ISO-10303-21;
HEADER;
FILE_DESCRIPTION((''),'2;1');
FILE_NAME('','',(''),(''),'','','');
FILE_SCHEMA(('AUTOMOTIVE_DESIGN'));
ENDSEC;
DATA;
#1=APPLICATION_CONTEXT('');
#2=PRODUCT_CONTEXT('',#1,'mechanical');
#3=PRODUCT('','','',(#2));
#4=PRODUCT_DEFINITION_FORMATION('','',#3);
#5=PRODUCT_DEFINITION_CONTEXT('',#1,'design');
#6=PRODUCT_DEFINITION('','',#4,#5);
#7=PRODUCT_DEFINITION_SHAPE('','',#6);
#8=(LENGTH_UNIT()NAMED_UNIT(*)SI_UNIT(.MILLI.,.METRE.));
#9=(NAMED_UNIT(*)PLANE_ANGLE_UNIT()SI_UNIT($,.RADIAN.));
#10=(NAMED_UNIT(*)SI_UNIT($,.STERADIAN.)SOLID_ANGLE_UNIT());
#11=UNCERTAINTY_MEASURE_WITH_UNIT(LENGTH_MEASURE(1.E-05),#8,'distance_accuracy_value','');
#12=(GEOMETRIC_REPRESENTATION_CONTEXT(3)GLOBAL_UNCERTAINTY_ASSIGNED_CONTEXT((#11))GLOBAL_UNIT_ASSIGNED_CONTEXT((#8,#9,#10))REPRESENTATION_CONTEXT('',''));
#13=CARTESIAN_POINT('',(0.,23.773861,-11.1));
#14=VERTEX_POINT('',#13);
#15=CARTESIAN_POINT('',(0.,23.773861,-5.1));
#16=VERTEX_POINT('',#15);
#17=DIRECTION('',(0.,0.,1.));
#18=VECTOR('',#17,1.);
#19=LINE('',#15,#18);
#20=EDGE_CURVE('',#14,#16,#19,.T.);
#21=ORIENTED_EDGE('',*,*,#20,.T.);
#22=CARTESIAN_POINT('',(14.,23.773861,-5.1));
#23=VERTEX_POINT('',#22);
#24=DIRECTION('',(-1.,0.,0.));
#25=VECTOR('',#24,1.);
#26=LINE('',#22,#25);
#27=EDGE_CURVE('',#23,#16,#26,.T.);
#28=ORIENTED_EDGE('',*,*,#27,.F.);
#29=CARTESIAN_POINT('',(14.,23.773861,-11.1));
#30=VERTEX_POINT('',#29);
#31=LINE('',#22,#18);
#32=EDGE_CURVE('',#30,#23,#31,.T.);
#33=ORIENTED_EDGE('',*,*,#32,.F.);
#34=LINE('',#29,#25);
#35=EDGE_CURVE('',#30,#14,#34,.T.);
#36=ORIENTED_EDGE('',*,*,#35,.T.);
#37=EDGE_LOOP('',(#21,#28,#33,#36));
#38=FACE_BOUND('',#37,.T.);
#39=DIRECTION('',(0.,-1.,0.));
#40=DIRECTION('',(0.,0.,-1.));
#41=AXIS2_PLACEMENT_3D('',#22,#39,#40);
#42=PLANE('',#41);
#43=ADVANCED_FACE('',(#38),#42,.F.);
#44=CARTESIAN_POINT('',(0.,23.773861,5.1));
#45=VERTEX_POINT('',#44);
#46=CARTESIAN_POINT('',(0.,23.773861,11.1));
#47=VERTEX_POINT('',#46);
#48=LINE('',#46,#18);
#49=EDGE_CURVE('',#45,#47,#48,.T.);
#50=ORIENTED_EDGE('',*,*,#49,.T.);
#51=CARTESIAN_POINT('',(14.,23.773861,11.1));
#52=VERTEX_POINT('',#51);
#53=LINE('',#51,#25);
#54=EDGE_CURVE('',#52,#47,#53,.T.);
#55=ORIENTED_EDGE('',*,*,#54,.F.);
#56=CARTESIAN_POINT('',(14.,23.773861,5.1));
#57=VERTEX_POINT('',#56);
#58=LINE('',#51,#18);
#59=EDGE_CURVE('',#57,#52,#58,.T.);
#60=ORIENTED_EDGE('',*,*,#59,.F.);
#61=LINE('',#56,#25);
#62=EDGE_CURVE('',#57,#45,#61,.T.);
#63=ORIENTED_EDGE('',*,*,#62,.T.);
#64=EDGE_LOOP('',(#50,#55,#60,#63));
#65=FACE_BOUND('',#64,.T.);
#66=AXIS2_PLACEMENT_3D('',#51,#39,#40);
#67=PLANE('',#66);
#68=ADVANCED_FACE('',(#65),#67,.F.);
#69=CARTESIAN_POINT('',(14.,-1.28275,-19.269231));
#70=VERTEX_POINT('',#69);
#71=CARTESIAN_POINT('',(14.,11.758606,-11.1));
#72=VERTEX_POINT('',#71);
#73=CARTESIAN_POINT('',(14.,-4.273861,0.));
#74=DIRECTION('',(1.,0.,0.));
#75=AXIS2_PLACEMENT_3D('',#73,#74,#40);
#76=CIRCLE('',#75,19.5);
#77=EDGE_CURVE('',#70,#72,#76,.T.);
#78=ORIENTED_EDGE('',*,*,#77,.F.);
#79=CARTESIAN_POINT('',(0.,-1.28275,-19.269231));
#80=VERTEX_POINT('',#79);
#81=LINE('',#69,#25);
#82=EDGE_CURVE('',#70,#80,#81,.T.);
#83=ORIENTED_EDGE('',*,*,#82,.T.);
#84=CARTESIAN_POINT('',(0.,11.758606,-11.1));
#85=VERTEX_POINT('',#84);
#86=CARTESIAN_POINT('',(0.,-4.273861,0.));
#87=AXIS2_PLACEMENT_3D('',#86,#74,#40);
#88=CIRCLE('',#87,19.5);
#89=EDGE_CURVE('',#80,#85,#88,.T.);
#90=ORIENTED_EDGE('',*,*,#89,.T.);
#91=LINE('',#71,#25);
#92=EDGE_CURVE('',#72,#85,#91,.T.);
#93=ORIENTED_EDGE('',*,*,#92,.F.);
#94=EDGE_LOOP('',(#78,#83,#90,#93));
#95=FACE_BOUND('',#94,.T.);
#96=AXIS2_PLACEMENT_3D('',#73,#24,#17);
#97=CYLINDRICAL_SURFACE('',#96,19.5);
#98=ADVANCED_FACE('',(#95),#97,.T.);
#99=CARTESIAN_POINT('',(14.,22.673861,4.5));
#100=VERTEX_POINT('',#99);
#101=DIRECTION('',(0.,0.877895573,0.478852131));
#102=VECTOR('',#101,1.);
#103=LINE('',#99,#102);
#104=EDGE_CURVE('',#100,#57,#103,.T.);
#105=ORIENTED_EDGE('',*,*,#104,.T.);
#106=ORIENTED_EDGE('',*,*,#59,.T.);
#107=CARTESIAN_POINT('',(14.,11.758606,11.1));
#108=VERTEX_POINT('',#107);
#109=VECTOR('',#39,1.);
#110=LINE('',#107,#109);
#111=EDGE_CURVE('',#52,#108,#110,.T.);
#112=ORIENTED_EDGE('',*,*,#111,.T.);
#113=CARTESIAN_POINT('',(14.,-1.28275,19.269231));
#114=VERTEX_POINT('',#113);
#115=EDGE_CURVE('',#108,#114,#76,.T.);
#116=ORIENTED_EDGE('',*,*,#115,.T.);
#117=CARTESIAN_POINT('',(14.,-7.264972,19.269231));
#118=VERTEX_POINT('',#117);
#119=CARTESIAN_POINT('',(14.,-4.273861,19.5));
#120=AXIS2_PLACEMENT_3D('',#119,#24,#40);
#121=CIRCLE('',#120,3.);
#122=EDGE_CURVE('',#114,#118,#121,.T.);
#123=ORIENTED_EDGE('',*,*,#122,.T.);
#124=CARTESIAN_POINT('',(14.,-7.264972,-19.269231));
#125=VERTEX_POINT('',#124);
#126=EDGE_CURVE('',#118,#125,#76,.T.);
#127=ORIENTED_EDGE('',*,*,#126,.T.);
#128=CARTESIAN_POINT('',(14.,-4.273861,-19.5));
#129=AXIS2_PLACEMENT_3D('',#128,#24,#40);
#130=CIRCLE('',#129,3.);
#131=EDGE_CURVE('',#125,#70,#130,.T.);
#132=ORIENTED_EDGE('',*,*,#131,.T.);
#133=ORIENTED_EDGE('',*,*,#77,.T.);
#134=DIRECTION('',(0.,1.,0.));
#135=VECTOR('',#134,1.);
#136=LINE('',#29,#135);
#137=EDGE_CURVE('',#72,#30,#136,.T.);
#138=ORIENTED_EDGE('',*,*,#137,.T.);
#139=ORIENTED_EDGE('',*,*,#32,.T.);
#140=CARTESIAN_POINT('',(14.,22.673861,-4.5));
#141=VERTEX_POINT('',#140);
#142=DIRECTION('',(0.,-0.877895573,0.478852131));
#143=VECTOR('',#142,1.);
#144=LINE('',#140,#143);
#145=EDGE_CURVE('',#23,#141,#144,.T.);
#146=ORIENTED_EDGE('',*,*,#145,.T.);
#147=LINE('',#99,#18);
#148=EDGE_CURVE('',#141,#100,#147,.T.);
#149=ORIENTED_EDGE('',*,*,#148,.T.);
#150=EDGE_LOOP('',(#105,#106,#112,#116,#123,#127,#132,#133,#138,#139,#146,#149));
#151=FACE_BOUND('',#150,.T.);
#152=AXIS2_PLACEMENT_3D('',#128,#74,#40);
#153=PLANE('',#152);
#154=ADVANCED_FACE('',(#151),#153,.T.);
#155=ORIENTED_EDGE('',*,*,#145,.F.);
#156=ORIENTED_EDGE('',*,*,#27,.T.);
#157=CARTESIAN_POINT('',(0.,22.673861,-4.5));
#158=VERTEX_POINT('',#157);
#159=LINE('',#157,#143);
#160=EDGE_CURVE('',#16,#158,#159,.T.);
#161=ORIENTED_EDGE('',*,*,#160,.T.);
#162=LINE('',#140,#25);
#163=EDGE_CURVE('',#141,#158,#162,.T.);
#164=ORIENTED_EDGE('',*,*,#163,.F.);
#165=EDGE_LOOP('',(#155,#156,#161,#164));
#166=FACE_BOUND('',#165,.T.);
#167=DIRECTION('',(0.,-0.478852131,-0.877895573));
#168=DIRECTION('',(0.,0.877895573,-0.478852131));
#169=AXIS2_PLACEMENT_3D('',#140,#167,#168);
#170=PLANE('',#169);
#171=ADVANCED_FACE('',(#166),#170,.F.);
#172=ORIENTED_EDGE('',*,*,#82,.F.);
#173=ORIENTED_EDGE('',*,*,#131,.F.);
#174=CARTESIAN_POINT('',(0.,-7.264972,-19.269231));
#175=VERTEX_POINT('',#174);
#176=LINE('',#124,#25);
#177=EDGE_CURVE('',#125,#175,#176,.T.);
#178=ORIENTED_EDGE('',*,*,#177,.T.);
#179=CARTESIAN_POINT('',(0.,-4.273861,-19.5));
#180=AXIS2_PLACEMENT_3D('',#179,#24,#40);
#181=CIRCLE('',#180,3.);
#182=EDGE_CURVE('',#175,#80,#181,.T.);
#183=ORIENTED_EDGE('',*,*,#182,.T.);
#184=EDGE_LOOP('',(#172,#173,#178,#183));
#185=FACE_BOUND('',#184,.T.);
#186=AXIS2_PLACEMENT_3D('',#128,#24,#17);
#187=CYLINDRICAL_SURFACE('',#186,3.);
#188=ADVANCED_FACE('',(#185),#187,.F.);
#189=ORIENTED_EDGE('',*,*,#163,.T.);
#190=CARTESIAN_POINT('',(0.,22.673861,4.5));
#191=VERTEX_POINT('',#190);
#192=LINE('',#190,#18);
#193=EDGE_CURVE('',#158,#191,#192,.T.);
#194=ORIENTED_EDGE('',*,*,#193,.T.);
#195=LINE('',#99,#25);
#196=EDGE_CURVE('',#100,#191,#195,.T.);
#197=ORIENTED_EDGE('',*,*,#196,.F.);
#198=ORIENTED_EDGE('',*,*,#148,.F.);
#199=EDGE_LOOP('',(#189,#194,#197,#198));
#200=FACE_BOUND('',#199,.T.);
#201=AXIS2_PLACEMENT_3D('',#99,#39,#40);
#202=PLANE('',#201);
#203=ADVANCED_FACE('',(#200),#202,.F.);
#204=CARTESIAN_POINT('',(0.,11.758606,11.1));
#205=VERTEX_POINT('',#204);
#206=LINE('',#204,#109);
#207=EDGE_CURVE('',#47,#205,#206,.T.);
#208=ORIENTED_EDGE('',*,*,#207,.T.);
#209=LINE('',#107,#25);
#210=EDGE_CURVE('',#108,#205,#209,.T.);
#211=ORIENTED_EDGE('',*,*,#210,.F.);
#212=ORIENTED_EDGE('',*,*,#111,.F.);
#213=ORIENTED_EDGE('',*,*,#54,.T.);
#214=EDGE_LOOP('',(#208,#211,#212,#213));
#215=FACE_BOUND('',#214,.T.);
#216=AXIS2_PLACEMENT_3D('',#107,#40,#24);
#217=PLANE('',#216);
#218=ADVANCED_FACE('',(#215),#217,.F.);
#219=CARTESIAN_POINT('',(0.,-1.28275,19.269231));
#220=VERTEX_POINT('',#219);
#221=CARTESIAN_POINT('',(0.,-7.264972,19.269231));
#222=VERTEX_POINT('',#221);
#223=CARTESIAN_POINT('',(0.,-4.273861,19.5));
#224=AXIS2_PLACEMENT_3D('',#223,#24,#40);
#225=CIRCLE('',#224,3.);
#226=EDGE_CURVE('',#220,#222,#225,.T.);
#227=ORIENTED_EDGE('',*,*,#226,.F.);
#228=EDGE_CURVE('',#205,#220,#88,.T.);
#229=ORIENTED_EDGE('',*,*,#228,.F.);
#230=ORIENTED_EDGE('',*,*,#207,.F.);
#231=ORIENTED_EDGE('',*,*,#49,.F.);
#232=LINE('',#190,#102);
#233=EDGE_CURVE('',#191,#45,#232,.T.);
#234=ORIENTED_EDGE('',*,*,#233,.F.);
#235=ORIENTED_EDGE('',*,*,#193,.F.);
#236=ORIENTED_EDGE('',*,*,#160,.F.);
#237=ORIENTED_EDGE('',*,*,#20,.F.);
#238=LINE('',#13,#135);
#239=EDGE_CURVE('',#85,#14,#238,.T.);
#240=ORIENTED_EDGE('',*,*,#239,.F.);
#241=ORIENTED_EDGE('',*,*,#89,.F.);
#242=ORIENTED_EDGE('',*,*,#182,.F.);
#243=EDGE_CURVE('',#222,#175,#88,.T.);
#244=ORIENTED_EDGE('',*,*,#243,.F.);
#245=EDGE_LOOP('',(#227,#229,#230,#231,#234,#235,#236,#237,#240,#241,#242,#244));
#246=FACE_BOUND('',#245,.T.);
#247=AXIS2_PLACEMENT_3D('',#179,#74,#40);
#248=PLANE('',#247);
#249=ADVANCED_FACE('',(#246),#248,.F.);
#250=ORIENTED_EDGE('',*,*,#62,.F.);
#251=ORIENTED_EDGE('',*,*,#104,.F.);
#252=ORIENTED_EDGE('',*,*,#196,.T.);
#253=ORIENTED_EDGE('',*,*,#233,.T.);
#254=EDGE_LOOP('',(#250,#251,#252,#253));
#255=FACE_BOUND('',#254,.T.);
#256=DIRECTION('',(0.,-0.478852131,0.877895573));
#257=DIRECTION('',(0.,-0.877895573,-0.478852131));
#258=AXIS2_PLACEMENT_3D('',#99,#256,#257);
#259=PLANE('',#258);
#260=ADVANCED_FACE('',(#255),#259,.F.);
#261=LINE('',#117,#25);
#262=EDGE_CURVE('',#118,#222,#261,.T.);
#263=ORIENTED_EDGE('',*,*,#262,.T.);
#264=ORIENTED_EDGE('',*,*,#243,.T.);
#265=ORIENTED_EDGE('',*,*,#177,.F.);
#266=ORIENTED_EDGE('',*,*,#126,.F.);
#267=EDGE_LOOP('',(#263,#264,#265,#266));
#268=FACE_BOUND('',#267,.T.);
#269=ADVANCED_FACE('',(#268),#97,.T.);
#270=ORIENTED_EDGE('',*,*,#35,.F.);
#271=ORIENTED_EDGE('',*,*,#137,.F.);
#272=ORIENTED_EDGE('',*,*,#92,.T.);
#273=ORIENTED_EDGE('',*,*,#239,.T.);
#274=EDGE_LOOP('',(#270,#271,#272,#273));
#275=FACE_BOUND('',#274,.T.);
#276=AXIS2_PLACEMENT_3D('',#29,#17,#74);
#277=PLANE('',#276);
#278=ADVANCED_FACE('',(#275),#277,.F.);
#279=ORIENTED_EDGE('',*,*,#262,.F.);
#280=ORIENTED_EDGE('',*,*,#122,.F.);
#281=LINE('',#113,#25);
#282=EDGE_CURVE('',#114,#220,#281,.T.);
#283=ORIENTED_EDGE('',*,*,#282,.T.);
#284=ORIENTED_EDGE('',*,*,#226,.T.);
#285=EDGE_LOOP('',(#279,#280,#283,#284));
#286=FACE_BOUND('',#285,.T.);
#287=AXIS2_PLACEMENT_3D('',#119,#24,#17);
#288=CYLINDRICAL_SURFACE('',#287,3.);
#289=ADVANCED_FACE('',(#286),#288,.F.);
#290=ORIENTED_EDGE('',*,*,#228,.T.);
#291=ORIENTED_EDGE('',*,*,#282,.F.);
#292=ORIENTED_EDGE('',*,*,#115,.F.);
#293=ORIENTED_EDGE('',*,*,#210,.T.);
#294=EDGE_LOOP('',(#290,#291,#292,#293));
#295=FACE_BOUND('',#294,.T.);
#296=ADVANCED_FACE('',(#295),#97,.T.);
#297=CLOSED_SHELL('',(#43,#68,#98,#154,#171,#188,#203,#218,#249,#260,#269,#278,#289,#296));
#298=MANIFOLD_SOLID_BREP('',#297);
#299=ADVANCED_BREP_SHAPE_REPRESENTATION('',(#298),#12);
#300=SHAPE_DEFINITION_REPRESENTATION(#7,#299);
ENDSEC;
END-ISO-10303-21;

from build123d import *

# Parameters (mm, degrees)
BOSS_EXTRUDE1_DEPTH = 14


with BuildPart() as part:
    # Sketch1 → Boss-Extrude1 (new body)
    with BuildSketch(Plane(origin=(0, 0, 0), x_dir=(0, 0, -1), z_dir=(1, 0, 0))):
        with BuildLine():
            Line((-4.5, 22.673860989), (4.5, 22.673860989))
            Line((4.5, 22.673860989), (5.1, 23.773860989))
            Line((5.1, 23.773860989), (11.1, 23.773860989))
            Line((11.1, 23.773860989), (11.1, 11.75860607))
            ThreePointArc((11.1, 11.75860607), (16.525488971, 6.077864194), (19.269230769, -1.282749897))
            ThreePointArc((19.269230769, -1.282749897), (16.5, -4.273860989), (19.269230769, -7.26497208))
            ThreePointArc((19.269230769, -7.26497208), (0, -23.773860989), (-19.269230769, -7.26497208))
            ThreePointArc((-19.269230769, -7.26497208), (-16.5, -4.273860989), (-19.269230769, -1.282749897))
            ThreePointArc((-19.269230769, -1.282749897), (-16.525488971, 6.077864194), (-11.1, 11.75860607))
            Line((-11.1, 11.75860607), (-11.1, 23.773860989))
            Line((-11.1, 23.773860989), (-5.1, 23.773860989))
            Line((-5.1, 23.773860989), (-4.5, 22.673860989))
        make_face()
    extrude(amount=BOSS_EXTRUDE1_DEPTH)


solid = part.part
